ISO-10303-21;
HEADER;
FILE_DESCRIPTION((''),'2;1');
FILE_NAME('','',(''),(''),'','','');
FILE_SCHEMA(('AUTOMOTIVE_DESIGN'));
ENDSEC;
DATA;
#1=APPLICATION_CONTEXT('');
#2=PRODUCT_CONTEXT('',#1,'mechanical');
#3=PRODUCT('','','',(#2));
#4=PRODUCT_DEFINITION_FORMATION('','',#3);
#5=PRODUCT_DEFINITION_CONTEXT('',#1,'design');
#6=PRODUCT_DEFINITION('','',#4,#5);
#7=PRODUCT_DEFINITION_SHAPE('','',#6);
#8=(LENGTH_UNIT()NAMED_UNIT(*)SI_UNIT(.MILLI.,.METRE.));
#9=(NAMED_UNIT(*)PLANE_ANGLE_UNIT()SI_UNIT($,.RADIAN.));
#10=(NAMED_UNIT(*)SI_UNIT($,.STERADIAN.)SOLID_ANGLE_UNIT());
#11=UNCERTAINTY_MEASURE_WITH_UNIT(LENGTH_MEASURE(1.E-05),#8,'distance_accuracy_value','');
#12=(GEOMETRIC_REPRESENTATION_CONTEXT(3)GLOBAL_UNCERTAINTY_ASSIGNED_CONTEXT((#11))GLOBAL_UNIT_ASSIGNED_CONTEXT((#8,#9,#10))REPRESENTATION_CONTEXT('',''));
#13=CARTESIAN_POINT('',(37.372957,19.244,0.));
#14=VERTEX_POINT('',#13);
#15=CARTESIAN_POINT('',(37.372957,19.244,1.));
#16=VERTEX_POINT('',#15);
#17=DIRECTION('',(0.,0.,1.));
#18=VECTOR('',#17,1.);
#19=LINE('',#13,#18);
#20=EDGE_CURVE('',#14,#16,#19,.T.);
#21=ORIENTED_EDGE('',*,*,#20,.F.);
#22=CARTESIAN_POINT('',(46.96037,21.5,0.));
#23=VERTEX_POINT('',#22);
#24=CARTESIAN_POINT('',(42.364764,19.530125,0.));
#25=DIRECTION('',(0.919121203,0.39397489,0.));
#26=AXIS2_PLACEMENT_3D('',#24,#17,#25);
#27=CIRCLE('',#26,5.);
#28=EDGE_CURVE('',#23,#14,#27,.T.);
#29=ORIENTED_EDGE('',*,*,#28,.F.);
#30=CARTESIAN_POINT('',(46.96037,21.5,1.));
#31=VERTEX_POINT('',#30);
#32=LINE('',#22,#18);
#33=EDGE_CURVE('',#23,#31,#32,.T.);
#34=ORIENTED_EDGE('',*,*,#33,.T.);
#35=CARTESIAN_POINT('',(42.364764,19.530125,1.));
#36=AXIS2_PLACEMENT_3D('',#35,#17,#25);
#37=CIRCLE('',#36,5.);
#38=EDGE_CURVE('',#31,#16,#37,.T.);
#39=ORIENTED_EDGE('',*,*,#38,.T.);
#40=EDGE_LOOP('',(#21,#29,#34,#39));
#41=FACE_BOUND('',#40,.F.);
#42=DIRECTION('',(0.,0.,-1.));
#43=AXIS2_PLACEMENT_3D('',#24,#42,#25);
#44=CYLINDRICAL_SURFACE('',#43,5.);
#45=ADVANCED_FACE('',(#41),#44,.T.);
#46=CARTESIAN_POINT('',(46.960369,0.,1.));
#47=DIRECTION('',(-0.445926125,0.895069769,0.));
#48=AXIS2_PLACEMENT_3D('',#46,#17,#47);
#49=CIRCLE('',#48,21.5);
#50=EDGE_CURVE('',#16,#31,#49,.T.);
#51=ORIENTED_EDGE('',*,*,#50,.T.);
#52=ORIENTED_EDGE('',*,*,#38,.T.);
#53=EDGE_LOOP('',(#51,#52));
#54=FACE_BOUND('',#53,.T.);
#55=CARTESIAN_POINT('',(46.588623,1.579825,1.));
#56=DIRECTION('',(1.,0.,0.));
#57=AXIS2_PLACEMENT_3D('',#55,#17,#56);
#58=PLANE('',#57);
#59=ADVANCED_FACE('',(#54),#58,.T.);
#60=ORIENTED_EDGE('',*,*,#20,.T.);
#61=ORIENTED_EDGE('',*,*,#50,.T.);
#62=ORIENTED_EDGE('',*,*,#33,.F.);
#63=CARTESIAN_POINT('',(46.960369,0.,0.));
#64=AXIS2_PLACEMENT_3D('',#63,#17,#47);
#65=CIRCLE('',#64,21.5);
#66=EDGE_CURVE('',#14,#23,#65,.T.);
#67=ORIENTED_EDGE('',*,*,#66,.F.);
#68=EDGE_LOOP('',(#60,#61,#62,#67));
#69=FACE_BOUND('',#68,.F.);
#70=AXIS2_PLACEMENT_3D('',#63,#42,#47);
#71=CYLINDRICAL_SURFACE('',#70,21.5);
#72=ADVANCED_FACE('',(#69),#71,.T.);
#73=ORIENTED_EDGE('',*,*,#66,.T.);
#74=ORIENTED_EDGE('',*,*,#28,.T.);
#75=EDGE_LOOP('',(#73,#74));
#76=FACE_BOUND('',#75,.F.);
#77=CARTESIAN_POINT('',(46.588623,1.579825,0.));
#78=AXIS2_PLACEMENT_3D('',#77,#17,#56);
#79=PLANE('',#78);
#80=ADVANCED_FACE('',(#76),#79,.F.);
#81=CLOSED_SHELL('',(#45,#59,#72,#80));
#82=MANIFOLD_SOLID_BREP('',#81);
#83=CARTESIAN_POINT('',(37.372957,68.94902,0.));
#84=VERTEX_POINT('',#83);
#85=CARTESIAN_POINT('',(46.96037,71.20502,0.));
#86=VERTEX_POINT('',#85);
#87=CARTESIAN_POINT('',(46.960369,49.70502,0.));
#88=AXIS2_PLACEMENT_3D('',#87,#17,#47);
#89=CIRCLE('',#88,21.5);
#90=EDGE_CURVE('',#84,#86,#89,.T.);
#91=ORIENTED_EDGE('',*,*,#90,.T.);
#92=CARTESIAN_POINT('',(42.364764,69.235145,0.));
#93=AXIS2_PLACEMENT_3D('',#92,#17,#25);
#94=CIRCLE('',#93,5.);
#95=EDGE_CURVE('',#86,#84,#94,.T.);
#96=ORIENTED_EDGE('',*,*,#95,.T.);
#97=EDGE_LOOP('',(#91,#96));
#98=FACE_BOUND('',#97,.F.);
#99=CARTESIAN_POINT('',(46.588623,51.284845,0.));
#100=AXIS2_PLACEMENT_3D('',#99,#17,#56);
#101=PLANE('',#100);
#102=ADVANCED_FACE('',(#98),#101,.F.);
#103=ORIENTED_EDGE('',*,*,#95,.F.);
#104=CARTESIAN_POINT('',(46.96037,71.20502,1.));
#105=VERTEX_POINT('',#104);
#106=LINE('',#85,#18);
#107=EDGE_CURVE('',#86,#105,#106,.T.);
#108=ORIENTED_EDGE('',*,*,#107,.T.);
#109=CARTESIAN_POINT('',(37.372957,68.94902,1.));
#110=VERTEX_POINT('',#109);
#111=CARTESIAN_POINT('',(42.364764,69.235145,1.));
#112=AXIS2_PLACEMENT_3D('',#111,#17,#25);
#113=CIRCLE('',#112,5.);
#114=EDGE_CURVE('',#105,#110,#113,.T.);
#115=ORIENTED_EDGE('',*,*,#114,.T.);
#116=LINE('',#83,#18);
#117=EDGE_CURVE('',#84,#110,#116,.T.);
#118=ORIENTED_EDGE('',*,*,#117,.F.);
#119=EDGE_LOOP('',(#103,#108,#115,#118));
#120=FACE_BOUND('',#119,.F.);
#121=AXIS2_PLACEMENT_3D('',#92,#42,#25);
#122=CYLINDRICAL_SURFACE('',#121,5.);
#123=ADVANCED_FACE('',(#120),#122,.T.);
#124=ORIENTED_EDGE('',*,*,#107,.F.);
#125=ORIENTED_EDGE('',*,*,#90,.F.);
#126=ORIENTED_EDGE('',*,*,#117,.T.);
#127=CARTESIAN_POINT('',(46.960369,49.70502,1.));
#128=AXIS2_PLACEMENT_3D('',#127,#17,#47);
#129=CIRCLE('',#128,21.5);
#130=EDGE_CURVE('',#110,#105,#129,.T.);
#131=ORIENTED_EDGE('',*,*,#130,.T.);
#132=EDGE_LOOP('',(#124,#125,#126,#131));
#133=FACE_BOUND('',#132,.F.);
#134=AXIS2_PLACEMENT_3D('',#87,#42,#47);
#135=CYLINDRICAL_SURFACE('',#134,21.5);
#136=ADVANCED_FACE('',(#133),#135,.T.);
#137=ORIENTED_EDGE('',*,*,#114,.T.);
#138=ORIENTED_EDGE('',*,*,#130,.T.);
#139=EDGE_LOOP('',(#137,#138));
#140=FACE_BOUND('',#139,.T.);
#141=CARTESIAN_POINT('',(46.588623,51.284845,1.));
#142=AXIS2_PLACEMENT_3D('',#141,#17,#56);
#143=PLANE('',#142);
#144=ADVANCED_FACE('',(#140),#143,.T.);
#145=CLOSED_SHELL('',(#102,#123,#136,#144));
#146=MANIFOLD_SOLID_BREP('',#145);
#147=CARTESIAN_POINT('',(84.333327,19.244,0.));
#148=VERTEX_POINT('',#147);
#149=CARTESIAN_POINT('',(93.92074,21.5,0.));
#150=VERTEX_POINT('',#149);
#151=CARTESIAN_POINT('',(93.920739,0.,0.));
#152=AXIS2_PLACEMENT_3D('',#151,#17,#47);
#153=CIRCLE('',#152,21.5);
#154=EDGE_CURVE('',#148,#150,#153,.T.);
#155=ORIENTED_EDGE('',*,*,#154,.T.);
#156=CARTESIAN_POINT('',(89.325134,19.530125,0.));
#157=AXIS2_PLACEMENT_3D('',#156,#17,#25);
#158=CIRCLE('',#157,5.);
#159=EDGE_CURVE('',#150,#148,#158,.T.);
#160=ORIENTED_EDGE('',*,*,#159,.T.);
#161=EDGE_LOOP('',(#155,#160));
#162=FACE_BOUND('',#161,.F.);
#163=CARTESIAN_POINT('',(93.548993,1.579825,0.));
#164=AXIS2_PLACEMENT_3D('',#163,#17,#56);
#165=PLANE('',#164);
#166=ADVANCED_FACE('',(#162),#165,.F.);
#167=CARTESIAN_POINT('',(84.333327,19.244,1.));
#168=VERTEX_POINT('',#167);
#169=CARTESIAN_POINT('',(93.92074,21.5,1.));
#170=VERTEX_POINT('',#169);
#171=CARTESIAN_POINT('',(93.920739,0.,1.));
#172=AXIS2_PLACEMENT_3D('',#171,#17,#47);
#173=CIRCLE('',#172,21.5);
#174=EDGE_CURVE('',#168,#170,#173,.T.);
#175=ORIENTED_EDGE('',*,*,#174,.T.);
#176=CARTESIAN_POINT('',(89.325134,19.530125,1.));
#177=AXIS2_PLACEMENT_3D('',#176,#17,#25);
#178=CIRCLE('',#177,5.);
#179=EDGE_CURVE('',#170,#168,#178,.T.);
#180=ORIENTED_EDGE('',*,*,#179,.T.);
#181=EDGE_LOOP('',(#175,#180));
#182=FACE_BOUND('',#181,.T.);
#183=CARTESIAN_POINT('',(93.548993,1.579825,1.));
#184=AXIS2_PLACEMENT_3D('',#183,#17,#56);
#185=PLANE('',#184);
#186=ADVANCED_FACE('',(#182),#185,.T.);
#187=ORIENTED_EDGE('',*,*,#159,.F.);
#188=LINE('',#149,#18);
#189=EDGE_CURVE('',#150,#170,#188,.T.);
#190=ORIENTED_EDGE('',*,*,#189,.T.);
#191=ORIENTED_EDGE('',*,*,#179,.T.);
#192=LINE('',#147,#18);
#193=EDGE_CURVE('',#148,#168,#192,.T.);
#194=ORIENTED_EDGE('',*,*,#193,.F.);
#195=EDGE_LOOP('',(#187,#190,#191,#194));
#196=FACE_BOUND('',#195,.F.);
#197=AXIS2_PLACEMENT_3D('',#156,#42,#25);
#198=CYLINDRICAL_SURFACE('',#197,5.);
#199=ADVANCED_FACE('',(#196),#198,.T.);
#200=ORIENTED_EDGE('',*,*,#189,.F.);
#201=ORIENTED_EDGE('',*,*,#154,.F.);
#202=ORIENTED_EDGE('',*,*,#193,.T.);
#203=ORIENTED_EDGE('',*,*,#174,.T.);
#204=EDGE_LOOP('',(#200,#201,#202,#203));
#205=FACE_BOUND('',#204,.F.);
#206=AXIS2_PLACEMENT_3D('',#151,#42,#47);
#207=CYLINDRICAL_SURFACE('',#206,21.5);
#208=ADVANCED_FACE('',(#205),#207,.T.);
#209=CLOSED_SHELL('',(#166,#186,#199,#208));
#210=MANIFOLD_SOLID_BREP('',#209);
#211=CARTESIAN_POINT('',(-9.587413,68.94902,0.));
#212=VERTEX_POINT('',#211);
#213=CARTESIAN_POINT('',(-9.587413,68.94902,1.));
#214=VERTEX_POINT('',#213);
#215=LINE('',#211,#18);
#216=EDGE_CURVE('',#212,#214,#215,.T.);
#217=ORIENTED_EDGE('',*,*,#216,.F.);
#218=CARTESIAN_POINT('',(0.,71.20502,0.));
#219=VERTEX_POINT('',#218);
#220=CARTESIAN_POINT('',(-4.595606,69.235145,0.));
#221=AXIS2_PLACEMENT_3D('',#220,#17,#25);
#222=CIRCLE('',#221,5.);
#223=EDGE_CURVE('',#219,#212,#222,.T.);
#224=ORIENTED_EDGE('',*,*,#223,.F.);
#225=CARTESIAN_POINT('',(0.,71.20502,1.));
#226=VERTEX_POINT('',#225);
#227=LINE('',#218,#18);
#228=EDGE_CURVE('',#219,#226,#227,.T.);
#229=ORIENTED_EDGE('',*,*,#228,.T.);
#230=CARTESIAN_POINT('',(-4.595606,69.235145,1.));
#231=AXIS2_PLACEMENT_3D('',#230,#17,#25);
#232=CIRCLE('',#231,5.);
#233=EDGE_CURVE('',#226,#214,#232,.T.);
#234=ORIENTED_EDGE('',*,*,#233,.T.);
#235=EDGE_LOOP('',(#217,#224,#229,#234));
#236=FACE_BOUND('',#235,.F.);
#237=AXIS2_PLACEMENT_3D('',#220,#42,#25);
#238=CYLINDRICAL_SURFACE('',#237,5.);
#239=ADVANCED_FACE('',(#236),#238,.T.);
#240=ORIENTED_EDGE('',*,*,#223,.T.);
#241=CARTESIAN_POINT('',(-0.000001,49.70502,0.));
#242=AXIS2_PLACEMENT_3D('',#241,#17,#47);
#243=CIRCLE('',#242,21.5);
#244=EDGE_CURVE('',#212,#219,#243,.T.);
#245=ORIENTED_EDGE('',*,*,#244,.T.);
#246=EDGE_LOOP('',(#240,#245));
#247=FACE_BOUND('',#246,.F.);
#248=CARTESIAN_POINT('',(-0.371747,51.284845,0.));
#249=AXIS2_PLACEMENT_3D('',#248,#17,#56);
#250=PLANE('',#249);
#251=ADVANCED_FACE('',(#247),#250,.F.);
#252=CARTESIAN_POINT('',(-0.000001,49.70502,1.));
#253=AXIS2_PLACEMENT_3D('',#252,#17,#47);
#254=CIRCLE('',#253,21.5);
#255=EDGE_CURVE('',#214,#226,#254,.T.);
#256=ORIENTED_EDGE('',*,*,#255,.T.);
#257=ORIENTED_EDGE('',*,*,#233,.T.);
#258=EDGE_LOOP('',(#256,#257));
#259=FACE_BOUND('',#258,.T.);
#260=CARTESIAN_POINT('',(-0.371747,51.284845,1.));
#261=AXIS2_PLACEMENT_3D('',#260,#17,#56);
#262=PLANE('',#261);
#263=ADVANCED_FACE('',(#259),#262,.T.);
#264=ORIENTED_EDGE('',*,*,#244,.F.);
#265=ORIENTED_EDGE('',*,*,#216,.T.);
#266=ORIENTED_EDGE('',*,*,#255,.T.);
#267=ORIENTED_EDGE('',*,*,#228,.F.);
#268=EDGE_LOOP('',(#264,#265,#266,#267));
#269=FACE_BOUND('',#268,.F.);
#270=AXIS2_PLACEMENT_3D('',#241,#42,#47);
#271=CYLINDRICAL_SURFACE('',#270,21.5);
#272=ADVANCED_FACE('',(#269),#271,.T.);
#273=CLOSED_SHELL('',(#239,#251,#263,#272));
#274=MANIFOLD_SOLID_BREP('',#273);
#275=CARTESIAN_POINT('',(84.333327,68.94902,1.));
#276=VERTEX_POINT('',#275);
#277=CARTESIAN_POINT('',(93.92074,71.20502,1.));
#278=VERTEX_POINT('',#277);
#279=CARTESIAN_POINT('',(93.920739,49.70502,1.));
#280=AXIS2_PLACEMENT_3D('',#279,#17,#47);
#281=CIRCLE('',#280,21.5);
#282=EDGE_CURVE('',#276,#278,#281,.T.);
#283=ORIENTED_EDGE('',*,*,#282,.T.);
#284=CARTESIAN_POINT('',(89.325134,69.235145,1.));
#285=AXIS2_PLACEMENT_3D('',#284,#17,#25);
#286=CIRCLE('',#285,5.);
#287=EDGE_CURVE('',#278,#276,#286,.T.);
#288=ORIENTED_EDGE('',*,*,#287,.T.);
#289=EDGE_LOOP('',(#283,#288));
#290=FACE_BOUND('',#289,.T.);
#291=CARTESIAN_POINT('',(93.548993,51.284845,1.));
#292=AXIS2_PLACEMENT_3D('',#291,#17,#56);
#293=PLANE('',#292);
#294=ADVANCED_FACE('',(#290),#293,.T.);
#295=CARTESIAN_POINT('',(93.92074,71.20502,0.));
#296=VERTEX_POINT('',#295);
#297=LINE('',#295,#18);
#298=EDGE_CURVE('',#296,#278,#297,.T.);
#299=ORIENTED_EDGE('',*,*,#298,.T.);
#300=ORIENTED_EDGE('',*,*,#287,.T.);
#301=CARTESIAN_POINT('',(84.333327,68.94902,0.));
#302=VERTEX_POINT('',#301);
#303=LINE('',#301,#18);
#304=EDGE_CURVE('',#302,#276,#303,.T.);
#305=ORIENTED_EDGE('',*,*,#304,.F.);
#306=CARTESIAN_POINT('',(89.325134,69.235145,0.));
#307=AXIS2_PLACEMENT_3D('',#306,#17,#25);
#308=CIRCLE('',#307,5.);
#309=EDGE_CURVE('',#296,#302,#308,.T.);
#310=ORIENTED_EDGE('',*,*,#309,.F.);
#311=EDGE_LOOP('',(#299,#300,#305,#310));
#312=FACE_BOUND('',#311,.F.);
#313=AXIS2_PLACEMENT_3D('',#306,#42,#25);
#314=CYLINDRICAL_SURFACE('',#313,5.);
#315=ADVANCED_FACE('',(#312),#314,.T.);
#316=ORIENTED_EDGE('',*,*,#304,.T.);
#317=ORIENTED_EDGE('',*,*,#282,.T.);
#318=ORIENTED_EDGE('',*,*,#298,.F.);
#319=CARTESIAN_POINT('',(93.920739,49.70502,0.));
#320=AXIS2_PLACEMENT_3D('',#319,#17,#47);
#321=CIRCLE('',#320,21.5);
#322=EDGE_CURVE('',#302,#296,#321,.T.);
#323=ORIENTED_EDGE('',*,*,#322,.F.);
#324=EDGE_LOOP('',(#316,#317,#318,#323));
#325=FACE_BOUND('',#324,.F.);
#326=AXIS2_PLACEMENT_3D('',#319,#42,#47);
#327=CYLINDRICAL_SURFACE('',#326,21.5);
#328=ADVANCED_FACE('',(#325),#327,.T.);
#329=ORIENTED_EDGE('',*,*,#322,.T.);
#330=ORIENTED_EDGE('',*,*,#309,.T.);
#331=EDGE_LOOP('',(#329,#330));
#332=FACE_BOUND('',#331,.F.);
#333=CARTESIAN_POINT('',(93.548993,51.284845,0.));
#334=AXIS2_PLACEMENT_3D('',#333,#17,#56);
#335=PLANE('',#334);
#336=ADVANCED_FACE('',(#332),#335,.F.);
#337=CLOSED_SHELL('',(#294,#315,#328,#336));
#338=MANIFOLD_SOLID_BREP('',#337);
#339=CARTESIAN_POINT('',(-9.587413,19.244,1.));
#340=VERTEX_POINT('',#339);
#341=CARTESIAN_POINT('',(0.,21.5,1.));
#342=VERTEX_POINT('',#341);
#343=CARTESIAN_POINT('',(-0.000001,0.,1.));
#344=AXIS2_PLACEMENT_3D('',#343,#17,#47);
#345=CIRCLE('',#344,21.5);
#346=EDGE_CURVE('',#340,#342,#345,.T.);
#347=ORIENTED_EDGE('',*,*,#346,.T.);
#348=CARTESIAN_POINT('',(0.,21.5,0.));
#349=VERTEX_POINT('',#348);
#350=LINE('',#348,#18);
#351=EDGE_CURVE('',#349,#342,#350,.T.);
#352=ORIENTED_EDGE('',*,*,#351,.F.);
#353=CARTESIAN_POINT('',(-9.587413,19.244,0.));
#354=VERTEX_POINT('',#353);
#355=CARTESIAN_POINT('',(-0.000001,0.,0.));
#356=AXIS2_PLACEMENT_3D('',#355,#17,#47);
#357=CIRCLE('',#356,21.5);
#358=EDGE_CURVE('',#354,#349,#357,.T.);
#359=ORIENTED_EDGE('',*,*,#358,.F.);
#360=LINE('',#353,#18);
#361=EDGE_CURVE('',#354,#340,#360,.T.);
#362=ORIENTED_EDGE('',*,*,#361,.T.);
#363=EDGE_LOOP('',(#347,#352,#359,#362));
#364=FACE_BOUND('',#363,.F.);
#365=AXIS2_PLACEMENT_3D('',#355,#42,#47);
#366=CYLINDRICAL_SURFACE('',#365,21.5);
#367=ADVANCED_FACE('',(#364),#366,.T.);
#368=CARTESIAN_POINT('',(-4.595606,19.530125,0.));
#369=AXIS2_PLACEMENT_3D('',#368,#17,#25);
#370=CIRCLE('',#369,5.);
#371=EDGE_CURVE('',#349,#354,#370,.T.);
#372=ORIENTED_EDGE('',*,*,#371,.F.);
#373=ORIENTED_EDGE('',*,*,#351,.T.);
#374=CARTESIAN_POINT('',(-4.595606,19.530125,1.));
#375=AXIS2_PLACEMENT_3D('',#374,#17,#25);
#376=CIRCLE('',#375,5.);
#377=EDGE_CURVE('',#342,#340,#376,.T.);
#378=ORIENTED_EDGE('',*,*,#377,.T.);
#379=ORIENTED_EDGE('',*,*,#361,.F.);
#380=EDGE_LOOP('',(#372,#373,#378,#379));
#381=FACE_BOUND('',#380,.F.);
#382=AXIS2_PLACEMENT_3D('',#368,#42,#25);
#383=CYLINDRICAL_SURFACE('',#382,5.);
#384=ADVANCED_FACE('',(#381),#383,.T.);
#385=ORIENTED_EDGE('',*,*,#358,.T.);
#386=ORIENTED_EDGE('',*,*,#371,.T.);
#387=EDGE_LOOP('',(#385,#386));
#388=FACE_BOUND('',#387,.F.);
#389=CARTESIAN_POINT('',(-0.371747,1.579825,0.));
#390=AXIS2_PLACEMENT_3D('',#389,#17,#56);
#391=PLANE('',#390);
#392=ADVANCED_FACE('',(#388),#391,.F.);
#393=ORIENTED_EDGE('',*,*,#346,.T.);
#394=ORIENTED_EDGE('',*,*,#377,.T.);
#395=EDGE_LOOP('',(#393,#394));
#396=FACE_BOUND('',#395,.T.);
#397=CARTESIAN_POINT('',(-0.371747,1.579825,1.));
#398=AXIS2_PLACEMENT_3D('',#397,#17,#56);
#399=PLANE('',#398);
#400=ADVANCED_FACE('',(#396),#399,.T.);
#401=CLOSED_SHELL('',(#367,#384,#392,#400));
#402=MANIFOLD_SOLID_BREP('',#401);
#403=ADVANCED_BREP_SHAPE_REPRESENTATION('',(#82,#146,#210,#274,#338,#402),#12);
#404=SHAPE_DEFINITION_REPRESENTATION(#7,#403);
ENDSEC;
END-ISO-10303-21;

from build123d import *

# Parameters (mm, degrees)
F1_DEPTH = 1


with BuildPart() as f1:
    # F0 (on Top) → F1 (new body)
    with BuildSketch(Plane.XY):
        with BuildLine():
            ThreePointArc((0, 21.5), (-5.740869, 24.397196), (-9.587413, 19.244))
            ThreePointArc((-9.587413, 19.244), (4.924632, -20.928402), (0, 21.5))
        make_face()
        with BuildLine():
            ThreePointArc((0, 71.20502), (-5.740869, 74.102216), (-9.587413, 68.94902))
            ThreePointArc((-9.587413, 68.94902), (4.924632, 28.776618), (0, 71.20502))
        make_face()
        with BuildLine():
            ThreePointArc((46.96037, 71.20502), (41.219501, 74.102216), (37.372957, 68.94902))
            ThreePointArc((37.372957, 68.94902), (51.885002, 28.776618), (46.96037, 71.20502))
        make_face()
        with BuildLine():
            ThreePointArc((93.92074, 71.20502), (88.179871, 74.102216), (84.333327, 68.94902))
            ThreePointArc((84.333327, 68.94902), (98.845372, 28.776618), (93.92074, 71.20502))
        make_face()
        with BuildLine():
            ThreePointArc((46.96037, 21.5), (41.219501, 24.397196), (37.372957, 19.244))
            ThreePointArc((37.372957, 19.244), (51.885002, -20.928402), (46.96037, 21.5))
        make_face()
        with BuildLine():
            ThreePointArc((93.92074, 21.5), (88.179871, 24.397196), (84.333327, 19.244))
            ThreePointArc((84.333327, 19.244), (98.845372, -20.928402), (93.92074, 21.5))
        make_face()
    extrude(amount=F1_DEPTH)


solid = f1.part
